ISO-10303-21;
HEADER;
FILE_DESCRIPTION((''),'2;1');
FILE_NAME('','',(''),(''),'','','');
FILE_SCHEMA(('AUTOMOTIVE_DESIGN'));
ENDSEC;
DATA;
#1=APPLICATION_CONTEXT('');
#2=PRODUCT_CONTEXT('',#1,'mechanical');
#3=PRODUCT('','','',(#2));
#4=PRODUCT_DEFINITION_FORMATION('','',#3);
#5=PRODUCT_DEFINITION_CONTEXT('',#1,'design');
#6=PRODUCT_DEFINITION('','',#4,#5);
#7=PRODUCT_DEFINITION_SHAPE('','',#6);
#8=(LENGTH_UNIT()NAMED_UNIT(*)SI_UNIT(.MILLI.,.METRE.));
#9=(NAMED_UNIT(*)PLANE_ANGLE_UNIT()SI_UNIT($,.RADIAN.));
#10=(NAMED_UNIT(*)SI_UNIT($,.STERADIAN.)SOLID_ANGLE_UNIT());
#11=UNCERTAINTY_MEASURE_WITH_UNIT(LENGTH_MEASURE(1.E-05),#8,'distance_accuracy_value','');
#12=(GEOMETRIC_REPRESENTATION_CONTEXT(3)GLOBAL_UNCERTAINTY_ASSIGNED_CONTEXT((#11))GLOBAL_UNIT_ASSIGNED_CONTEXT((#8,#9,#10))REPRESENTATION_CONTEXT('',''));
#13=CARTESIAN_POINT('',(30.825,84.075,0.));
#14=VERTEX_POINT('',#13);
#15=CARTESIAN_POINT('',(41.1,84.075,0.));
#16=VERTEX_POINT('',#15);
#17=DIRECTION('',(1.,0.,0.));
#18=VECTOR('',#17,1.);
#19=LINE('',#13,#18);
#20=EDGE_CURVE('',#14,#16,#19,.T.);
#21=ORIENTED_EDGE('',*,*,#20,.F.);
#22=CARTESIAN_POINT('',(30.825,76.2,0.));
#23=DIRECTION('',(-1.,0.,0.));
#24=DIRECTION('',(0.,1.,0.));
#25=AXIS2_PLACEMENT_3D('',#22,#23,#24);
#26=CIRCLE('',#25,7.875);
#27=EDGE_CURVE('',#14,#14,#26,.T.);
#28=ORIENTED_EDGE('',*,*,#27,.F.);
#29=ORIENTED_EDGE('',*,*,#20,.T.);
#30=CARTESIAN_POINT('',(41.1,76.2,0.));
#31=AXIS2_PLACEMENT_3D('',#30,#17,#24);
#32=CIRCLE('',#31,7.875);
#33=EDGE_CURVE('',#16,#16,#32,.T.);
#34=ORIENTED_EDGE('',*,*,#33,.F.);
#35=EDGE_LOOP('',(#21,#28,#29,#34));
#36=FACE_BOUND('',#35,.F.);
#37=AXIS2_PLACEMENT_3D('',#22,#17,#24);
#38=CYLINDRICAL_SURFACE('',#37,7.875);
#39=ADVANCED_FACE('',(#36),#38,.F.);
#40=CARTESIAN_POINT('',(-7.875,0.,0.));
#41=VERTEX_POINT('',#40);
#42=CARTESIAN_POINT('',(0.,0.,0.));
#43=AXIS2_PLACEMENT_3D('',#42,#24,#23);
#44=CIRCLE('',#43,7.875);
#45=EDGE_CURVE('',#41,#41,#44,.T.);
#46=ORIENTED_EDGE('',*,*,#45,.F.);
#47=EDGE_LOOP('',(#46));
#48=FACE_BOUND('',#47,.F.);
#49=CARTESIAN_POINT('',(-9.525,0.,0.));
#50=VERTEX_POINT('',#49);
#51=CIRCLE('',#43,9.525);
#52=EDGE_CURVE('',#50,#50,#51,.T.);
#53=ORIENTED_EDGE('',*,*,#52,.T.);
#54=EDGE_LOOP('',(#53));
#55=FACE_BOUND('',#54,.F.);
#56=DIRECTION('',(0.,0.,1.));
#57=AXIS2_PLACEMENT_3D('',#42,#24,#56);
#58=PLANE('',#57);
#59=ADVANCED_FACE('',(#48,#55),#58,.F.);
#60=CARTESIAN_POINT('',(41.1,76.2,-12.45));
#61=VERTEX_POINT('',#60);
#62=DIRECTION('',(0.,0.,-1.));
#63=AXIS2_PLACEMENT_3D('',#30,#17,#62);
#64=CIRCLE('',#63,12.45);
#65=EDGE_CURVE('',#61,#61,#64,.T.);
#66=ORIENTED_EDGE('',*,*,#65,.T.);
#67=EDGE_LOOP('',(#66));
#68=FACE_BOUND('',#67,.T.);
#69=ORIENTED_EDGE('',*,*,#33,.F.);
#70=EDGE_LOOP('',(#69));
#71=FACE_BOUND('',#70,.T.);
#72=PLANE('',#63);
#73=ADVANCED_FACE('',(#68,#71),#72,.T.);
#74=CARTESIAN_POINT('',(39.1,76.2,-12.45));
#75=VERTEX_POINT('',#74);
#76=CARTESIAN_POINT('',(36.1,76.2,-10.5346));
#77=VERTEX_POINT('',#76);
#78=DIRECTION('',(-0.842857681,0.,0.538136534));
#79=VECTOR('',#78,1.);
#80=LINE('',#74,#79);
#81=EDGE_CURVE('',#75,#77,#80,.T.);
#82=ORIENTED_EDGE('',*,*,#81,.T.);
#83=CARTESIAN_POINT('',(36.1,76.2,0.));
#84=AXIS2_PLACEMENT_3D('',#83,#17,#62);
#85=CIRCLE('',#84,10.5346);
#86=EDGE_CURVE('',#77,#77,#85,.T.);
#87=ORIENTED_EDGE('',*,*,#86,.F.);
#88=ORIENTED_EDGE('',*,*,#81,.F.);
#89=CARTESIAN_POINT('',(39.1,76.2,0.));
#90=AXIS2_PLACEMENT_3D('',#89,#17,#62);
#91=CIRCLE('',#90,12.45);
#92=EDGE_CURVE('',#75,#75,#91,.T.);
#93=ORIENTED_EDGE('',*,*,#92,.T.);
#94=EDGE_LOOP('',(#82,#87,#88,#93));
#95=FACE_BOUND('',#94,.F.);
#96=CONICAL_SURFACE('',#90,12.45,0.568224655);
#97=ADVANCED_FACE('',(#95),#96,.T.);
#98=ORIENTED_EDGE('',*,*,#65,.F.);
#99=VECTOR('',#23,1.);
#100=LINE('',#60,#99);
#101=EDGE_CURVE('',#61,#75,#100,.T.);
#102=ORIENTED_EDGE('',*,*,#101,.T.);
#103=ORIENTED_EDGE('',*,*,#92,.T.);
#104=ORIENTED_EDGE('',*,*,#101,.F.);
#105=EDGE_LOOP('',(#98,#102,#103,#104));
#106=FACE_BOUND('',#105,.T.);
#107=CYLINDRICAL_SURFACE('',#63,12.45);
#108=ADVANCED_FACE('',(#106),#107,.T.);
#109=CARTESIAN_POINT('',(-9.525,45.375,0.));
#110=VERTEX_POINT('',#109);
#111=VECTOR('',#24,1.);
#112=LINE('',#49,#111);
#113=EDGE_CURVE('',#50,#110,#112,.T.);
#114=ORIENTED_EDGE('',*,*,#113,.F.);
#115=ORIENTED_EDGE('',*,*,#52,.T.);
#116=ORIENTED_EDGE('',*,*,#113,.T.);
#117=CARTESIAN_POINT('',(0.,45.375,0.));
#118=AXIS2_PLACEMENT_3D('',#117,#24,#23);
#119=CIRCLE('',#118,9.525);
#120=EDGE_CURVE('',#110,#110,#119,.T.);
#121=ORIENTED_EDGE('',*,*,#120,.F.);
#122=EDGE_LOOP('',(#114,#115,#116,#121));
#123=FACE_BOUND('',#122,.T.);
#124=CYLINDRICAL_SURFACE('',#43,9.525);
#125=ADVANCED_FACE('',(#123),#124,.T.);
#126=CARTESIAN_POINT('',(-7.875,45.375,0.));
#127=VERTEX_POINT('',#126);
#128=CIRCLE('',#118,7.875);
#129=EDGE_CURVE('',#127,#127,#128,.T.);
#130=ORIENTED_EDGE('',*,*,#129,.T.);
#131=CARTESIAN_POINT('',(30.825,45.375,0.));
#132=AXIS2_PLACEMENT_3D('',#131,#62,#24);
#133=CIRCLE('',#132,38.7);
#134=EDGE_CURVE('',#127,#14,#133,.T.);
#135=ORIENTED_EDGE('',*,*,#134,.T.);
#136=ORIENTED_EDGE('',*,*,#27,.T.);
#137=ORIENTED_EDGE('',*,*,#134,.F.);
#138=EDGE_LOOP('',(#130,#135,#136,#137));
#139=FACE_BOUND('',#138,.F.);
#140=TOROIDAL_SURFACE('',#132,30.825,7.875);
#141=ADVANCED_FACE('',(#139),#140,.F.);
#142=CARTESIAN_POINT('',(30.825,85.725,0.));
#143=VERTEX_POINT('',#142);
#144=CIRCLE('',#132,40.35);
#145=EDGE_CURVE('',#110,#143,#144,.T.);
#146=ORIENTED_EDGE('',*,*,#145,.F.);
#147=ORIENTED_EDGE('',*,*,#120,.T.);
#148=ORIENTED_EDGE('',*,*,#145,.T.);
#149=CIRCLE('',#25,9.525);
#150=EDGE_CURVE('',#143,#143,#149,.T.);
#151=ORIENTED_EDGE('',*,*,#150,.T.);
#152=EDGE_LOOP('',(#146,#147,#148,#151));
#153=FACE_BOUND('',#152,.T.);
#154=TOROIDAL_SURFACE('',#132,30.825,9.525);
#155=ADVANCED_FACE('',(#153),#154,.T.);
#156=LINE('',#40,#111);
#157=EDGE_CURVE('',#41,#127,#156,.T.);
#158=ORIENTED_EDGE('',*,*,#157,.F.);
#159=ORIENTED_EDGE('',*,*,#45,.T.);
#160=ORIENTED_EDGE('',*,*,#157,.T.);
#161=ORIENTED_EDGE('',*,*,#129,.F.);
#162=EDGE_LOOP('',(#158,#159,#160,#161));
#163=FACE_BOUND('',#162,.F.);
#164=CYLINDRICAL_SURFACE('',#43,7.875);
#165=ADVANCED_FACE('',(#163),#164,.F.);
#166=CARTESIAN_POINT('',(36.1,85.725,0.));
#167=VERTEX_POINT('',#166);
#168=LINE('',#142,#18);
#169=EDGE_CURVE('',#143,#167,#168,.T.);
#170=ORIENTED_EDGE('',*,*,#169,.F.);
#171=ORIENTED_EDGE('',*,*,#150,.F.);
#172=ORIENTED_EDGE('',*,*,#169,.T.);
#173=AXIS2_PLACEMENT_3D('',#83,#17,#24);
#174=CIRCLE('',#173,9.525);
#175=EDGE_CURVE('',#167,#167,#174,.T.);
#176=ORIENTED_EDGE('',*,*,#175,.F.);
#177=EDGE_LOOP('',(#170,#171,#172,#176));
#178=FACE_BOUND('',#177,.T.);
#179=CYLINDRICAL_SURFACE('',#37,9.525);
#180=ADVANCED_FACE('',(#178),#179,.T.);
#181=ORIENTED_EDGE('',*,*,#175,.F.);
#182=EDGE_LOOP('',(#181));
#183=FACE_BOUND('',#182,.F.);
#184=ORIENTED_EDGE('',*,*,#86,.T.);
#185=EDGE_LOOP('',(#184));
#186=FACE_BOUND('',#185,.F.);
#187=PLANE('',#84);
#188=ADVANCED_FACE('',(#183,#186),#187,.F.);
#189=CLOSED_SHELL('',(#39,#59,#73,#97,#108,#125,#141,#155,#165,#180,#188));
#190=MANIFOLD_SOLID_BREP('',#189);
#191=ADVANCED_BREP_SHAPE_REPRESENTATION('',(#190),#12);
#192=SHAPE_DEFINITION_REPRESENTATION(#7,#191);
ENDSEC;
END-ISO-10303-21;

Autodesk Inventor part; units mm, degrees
ref_plane "YZ Plane" through (0, 0, 0) normal (1, 0, 0) x (0, 1, 0)
ref_plane "XZ Plane" through (0, 0, 0) normal (0, 1, 0) x (-1, 0, 0)
ref_plane "XY Plane" through (0, 0, 0) normal (0, 0, 1) x (1, 0, 0)
sketch "Sketch1" plane through (0, 0, 0) normal (0, 0, 1) x (1, 0, 0)
  line L0 (0, 0) -> (0, 45.375)
  line L1 (30.825, 76.2) -> (41.1, 76.2)
  arc A0 (30.825, 76.2) -> (0, 45.375) centre (30.825, 45.375) ccw
  dimension "d1" = 76.2
  dimension "d2" = 41.1
  dimension "d4" = 30.825
sketch "Sketch2" plane through (0, 0, 0) normal (0, 1, 0) x (-1, 0, 0)
  circle A0 centre (0, 0) radius 9.525
  circle A1 centre (0, 0) radius 7.875
  dimension "d3" = 19.05
  dimension "d11" = 1.65
sweep "Sweep1" add profiles "Sketch2" path "Sketch1"
sketch "Sketch3" plane through (41.1, 76.2, 0) normal (1, 0, 0) x (0, 0, -1)
  circle A0 centre (0, 0) radius 9.525 projected
  circle A1 centre (0, 0) radius 12.45
  point P0 (0, -76.2)
  dimension "d6" = 24.9
extrude "Extrusion1" add sketch "Sketch3" against normal blind 5
chamfer "Chamfer1" distance 3 distance2 1.9154 1 edges at (36.1, 76.2, 12.45) measured on face at (37.7667, 74.2029, -12.2888)
equation "\"d4\" = 0.75 * d2"
equation "\"d15\" = 0.0769231 * d6"
properties part number "Ferrule 90 deg Elb-19.05"
